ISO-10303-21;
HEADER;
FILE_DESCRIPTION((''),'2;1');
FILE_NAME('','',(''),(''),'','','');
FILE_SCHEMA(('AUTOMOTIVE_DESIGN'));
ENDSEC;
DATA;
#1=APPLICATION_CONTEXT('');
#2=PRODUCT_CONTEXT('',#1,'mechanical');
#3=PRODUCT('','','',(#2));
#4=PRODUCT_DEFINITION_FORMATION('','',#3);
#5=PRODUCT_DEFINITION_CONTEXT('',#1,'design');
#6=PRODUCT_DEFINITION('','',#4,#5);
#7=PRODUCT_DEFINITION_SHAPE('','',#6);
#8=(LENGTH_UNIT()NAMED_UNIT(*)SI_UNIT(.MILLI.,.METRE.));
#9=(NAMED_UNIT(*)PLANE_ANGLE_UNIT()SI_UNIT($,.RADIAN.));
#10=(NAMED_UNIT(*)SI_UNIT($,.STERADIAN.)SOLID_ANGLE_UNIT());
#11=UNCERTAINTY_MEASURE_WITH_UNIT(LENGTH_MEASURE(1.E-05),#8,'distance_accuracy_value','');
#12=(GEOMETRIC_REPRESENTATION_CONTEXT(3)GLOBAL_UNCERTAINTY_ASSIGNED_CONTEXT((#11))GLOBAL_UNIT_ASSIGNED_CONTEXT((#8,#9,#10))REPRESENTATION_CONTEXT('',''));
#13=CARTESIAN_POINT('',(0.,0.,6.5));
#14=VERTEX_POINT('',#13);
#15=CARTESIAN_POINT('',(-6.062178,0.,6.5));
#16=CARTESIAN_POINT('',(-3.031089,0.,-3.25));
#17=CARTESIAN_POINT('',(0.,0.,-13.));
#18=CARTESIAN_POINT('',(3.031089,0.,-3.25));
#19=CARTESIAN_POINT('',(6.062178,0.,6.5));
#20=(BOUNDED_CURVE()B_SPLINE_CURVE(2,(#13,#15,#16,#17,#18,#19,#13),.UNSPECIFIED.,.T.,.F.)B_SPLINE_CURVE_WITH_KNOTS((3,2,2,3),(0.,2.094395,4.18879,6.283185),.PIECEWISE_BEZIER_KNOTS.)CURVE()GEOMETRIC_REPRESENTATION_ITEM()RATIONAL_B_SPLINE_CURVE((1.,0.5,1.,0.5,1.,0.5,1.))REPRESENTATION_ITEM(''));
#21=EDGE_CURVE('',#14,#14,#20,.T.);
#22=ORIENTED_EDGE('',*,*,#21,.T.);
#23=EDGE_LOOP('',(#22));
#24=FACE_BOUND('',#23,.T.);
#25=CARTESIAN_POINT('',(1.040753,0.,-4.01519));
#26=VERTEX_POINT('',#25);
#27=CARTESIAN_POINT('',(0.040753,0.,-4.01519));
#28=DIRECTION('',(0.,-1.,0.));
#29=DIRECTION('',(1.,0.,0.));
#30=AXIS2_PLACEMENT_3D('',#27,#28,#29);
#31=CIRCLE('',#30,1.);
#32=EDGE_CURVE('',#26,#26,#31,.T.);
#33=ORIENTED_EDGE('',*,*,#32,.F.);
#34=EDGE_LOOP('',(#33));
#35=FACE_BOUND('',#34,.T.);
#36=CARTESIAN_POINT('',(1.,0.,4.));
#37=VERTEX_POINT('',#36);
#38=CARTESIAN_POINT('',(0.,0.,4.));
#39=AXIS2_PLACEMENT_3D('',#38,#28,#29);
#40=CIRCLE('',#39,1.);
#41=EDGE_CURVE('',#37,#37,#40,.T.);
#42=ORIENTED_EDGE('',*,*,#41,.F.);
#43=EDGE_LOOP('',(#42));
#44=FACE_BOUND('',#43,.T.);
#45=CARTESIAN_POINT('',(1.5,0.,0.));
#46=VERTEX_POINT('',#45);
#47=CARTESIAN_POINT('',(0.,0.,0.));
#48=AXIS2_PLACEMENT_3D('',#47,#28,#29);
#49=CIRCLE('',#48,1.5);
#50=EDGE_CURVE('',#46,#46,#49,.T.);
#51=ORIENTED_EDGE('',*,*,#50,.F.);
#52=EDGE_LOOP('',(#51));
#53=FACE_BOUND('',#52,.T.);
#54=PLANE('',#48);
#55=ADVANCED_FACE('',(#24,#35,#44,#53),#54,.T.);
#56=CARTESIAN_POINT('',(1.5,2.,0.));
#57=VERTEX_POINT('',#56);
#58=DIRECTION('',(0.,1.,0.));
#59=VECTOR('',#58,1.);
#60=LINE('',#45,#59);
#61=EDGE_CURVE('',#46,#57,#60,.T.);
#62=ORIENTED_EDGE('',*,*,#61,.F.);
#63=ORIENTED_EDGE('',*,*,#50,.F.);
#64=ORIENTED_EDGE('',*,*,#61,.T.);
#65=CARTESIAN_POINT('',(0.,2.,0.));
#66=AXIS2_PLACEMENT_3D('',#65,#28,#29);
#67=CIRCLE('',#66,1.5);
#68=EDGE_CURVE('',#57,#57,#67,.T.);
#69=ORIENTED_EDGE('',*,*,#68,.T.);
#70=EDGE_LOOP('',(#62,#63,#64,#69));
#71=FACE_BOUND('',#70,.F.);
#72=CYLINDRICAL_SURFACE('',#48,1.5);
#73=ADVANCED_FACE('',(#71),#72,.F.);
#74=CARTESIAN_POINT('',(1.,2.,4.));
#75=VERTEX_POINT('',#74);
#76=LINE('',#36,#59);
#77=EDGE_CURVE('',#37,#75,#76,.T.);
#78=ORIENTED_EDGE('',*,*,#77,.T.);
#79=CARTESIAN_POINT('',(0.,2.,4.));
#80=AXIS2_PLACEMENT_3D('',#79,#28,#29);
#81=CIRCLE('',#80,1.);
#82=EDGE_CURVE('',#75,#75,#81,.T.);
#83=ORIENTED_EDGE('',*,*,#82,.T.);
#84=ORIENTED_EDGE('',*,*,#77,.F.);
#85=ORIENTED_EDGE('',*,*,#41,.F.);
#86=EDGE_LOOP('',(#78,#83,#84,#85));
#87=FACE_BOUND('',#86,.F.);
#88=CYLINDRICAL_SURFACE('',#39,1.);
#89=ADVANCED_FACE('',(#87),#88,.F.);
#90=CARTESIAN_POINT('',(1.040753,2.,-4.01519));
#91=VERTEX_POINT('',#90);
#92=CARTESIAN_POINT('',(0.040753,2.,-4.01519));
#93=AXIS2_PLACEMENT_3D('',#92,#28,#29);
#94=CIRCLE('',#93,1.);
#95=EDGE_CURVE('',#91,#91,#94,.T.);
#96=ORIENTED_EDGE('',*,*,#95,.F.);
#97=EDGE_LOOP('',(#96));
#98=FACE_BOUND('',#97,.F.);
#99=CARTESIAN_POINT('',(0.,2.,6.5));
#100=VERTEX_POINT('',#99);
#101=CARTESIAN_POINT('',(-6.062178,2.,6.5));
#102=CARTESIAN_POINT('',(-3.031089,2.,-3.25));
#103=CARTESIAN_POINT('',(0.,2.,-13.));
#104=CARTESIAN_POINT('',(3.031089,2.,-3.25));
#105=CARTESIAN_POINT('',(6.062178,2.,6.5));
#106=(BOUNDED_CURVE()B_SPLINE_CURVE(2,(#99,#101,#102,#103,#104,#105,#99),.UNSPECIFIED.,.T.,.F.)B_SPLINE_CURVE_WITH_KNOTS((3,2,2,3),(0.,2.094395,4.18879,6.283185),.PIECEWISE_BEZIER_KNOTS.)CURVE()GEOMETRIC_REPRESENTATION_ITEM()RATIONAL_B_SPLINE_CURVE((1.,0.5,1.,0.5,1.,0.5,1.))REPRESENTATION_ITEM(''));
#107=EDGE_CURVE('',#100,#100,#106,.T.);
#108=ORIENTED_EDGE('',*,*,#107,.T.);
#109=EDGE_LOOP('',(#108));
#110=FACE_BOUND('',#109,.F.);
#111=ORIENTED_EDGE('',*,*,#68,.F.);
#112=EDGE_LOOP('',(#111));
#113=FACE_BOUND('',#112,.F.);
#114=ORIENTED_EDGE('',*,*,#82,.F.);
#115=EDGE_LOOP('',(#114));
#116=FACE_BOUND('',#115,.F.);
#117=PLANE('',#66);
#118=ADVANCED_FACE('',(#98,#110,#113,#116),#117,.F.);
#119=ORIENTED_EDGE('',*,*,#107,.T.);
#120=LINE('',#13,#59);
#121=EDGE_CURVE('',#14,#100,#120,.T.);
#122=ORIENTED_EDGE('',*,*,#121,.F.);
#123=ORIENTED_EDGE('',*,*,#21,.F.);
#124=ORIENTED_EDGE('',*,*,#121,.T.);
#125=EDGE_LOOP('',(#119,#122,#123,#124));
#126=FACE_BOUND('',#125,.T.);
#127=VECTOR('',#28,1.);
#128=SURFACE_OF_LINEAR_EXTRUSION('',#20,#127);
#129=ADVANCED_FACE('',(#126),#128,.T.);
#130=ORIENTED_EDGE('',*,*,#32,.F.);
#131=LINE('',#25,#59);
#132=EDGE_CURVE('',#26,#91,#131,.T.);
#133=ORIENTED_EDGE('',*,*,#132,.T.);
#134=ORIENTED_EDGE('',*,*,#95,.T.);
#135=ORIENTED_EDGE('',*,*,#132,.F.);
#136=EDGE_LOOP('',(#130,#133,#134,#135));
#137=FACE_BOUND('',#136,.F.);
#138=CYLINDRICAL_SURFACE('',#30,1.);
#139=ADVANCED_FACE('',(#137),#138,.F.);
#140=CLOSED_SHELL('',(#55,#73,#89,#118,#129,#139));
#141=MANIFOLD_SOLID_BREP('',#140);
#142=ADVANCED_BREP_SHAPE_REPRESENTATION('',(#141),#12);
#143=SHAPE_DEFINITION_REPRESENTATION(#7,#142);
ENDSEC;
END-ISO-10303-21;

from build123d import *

# Parameters (mm, degrees)
F0_R     = 1
F0_R_2   = 1.5
F1_DEPTH = 2


with BuildPart() as f1:
    # F0 (on Front) → F1 (new body)
    with BuildSketch(Plane.XZ):
        with BuildLine():
            add(Edge.make_bspline(
                [(0, 6.5), (-6.062178, 6.5), (-3.031089, -3.25), (0, -13), (3.031089, -3.25), (6.062178, 6.5), (0, 6.5)],
                knots=[0, 0, 0, 2.094395, 2.094395, 4.18879, 4.18879, 6.283185, 6.283185, 6.283185], degree=2, weights=[1, 0.5, 1, 0.5, 1, 0.5, 1]))
        make_face()
        with Locations((0.040753, -4.01519)):
            Circle(F0_R, mode=Mode.SUBTRACT)
        Circle(F0_R_2, mode=Mode.SUBTRACT)
        with Locations((0, 4)):
            Circle(F0_R, mode=Mode.SUBTRACT)
    extrude(amount=-F1_DEPTH)


solid = f1.part
